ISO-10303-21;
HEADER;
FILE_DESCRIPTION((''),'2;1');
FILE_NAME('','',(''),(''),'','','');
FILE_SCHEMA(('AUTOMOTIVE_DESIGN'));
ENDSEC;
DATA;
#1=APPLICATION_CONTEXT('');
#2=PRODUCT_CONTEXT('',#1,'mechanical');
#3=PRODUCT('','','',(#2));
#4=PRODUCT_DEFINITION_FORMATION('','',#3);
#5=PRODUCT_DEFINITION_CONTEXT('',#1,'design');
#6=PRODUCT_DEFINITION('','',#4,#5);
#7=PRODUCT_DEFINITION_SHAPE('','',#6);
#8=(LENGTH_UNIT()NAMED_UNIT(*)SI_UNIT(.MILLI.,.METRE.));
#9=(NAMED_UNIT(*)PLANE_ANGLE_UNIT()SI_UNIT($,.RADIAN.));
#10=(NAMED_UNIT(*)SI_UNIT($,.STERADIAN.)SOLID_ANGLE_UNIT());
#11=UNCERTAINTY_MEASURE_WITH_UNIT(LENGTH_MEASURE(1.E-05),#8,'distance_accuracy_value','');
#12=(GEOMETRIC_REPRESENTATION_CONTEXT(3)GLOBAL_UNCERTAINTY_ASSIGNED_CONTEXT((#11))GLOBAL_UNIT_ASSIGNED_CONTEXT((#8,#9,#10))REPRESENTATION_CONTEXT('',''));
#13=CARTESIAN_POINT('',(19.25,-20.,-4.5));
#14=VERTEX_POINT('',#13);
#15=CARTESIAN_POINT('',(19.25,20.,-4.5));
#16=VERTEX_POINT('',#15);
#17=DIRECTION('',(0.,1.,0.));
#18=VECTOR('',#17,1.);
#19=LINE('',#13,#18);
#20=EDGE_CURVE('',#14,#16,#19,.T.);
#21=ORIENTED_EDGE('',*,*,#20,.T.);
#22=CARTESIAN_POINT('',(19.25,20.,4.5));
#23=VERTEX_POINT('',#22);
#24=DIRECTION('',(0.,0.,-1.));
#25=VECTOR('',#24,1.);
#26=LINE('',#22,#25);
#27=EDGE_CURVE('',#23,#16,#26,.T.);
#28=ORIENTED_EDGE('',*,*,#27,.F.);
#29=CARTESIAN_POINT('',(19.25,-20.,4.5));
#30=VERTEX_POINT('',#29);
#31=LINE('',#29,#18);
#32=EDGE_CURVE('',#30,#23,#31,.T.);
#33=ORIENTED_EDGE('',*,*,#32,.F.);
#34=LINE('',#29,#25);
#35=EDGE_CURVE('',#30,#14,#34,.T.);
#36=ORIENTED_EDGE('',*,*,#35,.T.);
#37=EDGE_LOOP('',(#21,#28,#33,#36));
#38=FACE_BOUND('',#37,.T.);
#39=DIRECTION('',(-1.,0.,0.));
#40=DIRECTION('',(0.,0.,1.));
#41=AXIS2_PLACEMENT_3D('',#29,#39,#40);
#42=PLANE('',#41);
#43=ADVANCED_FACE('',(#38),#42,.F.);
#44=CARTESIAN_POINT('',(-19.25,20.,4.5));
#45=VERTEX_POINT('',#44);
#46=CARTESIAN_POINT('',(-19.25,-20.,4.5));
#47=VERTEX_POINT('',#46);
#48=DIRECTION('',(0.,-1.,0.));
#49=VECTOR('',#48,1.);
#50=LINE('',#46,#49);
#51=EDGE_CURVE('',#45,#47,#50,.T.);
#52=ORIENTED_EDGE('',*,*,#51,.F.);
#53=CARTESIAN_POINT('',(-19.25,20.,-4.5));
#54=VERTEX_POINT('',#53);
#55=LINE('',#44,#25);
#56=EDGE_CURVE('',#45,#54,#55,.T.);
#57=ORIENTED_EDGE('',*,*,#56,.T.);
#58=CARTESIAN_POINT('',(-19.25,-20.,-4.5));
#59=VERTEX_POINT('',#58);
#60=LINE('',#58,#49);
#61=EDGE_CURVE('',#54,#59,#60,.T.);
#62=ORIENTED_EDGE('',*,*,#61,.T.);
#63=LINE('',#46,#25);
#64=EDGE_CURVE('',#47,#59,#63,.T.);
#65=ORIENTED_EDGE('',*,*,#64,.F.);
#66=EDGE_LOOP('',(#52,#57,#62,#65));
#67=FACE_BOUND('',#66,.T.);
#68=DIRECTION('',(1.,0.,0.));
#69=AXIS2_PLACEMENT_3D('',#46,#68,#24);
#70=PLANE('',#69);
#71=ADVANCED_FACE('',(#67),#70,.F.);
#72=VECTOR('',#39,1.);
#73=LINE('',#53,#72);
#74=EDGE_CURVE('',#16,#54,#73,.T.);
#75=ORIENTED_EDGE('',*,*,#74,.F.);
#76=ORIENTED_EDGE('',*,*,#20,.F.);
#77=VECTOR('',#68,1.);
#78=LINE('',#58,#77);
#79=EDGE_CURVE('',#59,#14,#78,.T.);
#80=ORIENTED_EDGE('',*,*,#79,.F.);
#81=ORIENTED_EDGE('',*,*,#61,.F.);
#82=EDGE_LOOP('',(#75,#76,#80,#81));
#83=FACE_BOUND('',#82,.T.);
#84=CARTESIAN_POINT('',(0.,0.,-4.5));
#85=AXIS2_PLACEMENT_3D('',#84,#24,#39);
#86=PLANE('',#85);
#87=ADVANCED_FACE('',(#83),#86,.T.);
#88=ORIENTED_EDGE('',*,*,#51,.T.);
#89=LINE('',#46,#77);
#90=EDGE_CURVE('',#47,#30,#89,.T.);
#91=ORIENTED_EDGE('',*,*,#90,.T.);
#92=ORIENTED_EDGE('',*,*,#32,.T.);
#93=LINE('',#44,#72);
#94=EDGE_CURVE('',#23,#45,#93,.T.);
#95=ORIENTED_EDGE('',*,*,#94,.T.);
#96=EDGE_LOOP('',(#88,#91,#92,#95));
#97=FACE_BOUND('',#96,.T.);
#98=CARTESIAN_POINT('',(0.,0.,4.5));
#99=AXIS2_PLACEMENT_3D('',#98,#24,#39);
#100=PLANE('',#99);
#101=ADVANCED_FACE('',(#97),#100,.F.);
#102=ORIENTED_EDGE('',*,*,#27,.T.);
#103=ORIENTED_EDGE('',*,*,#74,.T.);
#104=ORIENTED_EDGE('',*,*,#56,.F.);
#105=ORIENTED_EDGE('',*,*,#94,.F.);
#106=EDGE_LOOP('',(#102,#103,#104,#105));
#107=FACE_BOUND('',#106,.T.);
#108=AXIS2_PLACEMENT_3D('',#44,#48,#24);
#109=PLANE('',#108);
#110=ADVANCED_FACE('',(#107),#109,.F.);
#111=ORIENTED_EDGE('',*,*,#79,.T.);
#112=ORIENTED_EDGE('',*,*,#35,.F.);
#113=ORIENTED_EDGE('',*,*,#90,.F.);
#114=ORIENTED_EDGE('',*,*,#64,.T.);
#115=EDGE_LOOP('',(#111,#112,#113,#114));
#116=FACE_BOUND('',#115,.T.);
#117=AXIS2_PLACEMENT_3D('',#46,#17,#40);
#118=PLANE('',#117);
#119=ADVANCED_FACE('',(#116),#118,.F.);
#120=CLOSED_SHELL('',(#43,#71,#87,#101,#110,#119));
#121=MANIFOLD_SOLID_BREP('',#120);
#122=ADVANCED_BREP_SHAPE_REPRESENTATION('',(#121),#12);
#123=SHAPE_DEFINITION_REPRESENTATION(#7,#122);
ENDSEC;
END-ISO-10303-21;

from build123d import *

# Parameters (mm, degrees)
SKETCH1_W           = 38.5
SKETCH1_H           = 40
BOSS_EXTRUDE1_DEPTH = 4.5


with BuildPart() as part:
    # Sketch1 → Boss-Extrude1 (new body, symmetric)
    with BuildSketch(Plane.XY):
        Rectangle(SKETCH1_W, SKETCH1_H)
    extrude(amount=BOSS_EXTRUDE1_DEPTH, both=True)


solid = part.part
